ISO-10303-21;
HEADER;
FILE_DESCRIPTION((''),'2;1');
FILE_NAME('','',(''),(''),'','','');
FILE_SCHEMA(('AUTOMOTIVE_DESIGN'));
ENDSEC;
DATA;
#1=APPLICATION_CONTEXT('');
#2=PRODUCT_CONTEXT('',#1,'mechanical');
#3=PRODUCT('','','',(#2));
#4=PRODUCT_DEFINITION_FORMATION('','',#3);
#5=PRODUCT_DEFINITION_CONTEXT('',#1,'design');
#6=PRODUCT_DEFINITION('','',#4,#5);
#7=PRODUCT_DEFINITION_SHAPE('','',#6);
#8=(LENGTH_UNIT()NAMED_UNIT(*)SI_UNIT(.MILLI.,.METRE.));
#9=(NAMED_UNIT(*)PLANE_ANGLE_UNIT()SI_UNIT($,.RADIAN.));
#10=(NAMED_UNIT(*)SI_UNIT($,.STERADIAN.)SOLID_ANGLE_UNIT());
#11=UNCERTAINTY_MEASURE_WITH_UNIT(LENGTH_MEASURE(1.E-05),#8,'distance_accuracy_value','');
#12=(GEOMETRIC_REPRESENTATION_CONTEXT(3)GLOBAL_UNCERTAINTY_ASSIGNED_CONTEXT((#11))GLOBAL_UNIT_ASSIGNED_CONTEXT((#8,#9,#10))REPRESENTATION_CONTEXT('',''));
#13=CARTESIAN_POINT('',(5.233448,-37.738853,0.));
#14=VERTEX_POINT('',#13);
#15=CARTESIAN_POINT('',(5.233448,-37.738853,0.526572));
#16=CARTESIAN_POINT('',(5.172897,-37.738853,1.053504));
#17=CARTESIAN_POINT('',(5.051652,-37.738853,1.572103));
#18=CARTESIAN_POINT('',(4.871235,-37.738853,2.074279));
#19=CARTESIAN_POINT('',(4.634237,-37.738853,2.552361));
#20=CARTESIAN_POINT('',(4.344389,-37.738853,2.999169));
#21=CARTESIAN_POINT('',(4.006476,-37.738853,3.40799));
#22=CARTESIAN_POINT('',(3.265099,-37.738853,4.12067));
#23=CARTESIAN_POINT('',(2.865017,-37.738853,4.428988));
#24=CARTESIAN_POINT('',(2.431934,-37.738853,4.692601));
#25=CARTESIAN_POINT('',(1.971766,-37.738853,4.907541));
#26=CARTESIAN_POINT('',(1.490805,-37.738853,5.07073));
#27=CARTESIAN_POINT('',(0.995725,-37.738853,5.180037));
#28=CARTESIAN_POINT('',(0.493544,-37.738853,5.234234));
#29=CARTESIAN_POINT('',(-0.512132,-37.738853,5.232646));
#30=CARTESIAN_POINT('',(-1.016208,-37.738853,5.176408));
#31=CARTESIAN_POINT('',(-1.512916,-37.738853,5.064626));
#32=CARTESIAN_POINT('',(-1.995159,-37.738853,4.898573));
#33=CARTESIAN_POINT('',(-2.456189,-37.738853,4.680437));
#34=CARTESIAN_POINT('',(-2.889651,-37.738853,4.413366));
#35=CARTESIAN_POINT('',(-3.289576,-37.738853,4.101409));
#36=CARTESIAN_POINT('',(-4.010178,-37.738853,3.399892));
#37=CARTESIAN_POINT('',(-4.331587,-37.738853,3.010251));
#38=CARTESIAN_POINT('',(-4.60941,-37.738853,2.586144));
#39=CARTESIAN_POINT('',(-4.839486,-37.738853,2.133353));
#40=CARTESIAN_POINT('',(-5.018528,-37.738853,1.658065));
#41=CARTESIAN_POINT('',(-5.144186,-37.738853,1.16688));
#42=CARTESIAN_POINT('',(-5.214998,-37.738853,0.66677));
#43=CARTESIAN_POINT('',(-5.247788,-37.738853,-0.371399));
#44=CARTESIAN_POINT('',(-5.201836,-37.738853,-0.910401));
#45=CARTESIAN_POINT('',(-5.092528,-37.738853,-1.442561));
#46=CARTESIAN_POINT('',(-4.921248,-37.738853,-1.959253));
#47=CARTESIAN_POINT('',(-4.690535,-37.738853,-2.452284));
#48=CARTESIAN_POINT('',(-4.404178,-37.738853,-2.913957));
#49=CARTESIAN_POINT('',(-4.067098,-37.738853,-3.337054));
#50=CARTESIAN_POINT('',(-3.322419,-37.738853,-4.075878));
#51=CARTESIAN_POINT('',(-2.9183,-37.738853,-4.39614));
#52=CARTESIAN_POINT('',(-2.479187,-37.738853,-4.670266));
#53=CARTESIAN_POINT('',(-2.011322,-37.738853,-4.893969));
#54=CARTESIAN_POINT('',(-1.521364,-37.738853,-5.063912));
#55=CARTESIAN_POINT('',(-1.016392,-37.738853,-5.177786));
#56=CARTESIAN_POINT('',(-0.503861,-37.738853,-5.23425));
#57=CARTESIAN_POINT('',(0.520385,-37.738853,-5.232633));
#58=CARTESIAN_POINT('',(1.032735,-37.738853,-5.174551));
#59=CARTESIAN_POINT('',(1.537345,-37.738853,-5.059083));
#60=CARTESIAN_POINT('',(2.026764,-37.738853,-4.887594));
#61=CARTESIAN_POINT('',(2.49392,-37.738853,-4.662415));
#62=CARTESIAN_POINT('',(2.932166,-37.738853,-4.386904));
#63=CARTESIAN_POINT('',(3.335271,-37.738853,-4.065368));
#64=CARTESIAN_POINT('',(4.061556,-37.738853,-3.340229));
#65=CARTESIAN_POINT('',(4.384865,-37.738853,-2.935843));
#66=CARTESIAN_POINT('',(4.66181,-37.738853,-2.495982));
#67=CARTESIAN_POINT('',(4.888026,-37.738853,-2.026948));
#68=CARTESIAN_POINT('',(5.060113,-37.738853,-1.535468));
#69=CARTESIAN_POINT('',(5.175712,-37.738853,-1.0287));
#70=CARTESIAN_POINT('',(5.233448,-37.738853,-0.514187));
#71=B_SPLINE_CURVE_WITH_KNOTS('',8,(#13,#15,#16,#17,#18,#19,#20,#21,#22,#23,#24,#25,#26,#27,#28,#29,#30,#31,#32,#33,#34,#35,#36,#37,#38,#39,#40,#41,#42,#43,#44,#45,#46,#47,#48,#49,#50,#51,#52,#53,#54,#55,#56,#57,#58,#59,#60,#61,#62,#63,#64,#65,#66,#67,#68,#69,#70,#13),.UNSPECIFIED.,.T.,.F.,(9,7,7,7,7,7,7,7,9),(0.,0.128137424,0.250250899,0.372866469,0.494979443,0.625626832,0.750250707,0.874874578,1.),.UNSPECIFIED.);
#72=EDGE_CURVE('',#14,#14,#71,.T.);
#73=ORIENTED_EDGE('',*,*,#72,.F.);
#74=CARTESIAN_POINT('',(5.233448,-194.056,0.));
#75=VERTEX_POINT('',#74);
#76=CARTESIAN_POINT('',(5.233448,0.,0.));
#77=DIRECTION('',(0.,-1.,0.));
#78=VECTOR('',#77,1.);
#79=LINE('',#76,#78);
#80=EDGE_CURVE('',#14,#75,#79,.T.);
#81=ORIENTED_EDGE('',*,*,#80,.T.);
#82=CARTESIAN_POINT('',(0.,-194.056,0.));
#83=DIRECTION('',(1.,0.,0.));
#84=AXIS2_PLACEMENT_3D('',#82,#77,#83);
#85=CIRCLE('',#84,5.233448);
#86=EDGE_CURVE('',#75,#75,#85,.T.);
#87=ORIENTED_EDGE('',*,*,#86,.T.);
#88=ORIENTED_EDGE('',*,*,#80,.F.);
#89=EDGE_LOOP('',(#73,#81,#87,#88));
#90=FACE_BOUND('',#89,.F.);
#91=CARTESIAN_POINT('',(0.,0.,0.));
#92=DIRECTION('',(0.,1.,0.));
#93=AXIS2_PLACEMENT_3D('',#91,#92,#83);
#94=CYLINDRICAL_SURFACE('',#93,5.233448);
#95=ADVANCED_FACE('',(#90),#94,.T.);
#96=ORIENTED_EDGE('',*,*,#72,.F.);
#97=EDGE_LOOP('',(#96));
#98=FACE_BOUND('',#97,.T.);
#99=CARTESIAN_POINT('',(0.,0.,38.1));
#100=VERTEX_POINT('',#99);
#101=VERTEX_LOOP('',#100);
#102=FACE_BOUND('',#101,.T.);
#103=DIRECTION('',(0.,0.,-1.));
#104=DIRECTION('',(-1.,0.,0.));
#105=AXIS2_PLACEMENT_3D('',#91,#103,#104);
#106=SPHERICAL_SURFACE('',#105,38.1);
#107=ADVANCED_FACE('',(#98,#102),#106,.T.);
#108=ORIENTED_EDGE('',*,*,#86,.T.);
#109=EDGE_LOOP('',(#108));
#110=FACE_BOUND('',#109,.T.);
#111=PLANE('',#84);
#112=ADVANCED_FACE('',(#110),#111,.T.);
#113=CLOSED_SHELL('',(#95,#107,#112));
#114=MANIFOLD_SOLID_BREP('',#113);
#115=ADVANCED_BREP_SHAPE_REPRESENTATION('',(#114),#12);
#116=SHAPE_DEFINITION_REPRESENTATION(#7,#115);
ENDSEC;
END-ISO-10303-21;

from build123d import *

# Parameters (mm, degrees)
F2_R     = 5.233448
F3_DEPTH = 194.056


with BuildPart() as f1:
    # F0 (on Front) → F1 (revolve)
    with BuildSketch(Plane.XZ):
        with BuildLine():
            Line((0, -38.1), (0, 38.1))
            ThreePointArc((0, 38.1), (-38.1, 0), (0, -38.1))
        make_face()
    revolve(axis=Axis((0, 0, 0), (0, 0, -1)))

    # F2 (on Front) → F3 (join)
    with BuildSketch(Plane.XZ):
        Circle(F2_R)
    extrude(amount=F3_DEPTH)


solid = f1.part
